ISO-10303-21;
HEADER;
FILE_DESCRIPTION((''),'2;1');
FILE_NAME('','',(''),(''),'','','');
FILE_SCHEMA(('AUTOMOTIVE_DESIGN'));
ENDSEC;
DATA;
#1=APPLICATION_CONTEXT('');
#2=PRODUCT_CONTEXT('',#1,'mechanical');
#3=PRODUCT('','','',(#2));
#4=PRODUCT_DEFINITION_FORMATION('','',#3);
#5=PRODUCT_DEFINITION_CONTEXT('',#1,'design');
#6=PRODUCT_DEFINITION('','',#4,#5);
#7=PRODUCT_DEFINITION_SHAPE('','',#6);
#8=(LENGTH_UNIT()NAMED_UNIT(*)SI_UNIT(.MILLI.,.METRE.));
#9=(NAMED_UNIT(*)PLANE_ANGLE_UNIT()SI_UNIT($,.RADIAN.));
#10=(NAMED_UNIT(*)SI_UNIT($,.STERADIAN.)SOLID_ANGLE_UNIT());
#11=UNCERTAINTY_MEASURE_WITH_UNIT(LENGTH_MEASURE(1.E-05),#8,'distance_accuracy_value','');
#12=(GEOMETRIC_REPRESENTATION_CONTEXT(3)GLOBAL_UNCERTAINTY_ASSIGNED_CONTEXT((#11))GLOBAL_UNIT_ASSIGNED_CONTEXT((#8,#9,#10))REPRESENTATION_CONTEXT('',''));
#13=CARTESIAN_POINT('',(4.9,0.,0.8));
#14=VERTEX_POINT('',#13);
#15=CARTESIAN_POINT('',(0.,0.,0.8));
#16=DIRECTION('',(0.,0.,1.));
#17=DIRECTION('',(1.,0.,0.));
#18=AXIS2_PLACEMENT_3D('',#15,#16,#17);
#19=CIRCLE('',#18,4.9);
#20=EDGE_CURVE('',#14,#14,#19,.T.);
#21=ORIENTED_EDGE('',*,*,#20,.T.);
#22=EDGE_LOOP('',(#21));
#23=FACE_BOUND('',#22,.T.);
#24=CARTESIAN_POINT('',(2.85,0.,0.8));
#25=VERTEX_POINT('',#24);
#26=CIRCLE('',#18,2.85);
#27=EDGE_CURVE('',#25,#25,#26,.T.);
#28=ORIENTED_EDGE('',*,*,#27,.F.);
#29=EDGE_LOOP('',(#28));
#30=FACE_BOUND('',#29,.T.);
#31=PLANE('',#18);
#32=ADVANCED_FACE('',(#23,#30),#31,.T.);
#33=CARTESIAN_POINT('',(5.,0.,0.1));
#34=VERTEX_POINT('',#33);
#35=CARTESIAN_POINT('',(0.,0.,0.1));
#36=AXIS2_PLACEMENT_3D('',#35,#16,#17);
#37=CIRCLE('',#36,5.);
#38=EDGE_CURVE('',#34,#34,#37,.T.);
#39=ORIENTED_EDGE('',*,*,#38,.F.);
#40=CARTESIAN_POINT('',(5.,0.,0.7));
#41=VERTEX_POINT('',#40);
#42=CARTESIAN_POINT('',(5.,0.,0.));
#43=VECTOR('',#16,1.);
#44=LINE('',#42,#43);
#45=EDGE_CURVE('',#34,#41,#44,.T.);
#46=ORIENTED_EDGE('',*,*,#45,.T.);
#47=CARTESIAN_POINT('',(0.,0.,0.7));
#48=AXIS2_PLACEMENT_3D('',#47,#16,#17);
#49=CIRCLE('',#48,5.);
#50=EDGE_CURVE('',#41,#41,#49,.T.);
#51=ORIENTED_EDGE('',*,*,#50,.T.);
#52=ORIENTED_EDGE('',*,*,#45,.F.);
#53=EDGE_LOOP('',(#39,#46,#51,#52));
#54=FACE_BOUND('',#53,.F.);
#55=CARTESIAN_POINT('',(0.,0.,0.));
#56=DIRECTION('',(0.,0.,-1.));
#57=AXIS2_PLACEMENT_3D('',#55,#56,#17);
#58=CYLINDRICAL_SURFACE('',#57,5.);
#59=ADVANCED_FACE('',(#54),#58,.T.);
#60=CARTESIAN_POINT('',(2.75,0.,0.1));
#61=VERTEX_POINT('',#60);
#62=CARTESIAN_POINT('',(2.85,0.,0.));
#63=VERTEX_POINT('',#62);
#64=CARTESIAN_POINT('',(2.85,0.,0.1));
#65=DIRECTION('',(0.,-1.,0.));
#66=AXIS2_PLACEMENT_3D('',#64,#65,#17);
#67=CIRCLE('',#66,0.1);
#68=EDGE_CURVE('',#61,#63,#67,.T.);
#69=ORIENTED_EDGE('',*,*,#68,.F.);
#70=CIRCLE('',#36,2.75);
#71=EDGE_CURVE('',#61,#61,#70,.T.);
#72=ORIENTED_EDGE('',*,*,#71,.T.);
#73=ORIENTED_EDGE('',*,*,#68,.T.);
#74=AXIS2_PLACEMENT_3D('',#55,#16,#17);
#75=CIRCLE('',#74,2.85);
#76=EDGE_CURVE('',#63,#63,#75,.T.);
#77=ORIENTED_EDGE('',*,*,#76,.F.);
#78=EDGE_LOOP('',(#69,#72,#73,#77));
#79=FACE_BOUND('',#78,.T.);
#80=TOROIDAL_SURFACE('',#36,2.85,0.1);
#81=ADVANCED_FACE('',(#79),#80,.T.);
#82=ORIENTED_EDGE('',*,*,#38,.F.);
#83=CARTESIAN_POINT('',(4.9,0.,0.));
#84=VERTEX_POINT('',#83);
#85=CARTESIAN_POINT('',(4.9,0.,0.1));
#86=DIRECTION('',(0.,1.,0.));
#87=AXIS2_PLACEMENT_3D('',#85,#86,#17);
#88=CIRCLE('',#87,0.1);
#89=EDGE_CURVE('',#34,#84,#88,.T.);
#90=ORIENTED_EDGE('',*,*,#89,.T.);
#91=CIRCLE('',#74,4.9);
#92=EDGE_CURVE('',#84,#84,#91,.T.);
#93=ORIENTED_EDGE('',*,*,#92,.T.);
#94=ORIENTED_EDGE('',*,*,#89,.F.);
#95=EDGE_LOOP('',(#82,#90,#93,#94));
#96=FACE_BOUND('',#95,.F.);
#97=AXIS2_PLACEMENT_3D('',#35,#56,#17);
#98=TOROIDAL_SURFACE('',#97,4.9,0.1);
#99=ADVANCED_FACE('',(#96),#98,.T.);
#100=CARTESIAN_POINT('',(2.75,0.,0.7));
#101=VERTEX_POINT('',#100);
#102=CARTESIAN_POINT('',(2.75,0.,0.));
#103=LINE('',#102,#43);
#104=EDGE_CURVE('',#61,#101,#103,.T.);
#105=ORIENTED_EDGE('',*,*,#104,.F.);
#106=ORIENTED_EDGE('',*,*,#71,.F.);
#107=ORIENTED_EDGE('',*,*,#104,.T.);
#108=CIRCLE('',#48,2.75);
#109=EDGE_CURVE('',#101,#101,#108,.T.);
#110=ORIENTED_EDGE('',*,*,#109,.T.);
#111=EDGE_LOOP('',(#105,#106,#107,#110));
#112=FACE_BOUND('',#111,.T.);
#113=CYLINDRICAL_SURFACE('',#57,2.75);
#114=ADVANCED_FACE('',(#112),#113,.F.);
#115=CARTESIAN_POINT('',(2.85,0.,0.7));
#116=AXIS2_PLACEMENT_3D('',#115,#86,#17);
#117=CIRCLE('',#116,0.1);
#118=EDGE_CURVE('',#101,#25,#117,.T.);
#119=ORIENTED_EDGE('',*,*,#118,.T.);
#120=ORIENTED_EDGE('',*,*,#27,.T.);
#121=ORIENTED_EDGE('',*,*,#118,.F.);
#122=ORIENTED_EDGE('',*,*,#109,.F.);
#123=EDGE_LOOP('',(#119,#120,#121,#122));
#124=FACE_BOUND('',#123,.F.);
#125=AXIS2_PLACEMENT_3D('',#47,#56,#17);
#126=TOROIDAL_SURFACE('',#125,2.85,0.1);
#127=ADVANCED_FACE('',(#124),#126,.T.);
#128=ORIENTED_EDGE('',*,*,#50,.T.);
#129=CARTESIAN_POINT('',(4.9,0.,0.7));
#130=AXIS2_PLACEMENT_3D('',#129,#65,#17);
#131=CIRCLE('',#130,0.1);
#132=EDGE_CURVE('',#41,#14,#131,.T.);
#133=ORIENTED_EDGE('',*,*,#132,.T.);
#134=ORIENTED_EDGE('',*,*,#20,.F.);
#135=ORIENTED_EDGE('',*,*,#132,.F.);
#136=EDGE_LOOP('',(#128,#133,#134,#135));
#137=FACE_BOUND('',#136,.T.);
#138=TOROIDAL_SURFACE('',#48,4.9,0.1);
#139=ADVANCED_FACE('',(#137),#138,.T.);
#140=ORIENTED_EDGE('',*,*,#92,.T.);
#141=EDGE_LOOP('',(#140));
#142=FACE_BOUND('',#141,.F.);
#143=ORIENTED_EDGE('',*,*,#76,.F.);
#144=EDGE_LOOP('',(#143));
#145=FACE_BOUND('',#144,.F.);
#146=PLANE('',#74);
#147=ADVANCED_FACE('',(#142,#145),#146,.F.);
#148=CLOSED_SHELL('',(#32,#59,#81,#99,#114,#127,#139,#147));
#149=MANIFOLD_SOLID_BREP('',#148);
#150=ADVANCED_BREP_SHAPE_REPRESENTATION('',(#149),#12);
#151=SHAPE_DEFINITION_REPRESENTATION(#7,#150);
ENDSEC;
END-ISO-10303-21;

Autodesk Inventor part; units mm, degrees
ref_plane "YZ Plane" through (0, 0, 0) normal (1, 0, 0) x (0, 1, 0)
ref_plane "XZ Plane" through (0, 0, 0) normal (0, 1, 0) x (-1, 0, 0)
ref_plane "XY Plane" through (0, 0, 0) normal (0, 0, 1) x (1, 0, 0)
sketch "スケッチ1" plane through (0, 0, 0) normal (0, 0, 1) x (1, 0, 0)
  circle A0 centre (0, 0) radius 2.75
  circle A1 centre (0, 0) radius 5
  dimension "d0" = 5.5
  dimension "d1" = 10
extrude "押し出し1" add sketch "スケッチ1" along normal blind 0.8
fillet "フィレット1" radius 0.1 4 edges at (-5, 0, 0.8) (-5, 0, 0) (-2.75, 0, 0.8) (-2.75, 0, 0)
properties part number "WSJ-STN-M5" material "鋼、炭素鋼"
